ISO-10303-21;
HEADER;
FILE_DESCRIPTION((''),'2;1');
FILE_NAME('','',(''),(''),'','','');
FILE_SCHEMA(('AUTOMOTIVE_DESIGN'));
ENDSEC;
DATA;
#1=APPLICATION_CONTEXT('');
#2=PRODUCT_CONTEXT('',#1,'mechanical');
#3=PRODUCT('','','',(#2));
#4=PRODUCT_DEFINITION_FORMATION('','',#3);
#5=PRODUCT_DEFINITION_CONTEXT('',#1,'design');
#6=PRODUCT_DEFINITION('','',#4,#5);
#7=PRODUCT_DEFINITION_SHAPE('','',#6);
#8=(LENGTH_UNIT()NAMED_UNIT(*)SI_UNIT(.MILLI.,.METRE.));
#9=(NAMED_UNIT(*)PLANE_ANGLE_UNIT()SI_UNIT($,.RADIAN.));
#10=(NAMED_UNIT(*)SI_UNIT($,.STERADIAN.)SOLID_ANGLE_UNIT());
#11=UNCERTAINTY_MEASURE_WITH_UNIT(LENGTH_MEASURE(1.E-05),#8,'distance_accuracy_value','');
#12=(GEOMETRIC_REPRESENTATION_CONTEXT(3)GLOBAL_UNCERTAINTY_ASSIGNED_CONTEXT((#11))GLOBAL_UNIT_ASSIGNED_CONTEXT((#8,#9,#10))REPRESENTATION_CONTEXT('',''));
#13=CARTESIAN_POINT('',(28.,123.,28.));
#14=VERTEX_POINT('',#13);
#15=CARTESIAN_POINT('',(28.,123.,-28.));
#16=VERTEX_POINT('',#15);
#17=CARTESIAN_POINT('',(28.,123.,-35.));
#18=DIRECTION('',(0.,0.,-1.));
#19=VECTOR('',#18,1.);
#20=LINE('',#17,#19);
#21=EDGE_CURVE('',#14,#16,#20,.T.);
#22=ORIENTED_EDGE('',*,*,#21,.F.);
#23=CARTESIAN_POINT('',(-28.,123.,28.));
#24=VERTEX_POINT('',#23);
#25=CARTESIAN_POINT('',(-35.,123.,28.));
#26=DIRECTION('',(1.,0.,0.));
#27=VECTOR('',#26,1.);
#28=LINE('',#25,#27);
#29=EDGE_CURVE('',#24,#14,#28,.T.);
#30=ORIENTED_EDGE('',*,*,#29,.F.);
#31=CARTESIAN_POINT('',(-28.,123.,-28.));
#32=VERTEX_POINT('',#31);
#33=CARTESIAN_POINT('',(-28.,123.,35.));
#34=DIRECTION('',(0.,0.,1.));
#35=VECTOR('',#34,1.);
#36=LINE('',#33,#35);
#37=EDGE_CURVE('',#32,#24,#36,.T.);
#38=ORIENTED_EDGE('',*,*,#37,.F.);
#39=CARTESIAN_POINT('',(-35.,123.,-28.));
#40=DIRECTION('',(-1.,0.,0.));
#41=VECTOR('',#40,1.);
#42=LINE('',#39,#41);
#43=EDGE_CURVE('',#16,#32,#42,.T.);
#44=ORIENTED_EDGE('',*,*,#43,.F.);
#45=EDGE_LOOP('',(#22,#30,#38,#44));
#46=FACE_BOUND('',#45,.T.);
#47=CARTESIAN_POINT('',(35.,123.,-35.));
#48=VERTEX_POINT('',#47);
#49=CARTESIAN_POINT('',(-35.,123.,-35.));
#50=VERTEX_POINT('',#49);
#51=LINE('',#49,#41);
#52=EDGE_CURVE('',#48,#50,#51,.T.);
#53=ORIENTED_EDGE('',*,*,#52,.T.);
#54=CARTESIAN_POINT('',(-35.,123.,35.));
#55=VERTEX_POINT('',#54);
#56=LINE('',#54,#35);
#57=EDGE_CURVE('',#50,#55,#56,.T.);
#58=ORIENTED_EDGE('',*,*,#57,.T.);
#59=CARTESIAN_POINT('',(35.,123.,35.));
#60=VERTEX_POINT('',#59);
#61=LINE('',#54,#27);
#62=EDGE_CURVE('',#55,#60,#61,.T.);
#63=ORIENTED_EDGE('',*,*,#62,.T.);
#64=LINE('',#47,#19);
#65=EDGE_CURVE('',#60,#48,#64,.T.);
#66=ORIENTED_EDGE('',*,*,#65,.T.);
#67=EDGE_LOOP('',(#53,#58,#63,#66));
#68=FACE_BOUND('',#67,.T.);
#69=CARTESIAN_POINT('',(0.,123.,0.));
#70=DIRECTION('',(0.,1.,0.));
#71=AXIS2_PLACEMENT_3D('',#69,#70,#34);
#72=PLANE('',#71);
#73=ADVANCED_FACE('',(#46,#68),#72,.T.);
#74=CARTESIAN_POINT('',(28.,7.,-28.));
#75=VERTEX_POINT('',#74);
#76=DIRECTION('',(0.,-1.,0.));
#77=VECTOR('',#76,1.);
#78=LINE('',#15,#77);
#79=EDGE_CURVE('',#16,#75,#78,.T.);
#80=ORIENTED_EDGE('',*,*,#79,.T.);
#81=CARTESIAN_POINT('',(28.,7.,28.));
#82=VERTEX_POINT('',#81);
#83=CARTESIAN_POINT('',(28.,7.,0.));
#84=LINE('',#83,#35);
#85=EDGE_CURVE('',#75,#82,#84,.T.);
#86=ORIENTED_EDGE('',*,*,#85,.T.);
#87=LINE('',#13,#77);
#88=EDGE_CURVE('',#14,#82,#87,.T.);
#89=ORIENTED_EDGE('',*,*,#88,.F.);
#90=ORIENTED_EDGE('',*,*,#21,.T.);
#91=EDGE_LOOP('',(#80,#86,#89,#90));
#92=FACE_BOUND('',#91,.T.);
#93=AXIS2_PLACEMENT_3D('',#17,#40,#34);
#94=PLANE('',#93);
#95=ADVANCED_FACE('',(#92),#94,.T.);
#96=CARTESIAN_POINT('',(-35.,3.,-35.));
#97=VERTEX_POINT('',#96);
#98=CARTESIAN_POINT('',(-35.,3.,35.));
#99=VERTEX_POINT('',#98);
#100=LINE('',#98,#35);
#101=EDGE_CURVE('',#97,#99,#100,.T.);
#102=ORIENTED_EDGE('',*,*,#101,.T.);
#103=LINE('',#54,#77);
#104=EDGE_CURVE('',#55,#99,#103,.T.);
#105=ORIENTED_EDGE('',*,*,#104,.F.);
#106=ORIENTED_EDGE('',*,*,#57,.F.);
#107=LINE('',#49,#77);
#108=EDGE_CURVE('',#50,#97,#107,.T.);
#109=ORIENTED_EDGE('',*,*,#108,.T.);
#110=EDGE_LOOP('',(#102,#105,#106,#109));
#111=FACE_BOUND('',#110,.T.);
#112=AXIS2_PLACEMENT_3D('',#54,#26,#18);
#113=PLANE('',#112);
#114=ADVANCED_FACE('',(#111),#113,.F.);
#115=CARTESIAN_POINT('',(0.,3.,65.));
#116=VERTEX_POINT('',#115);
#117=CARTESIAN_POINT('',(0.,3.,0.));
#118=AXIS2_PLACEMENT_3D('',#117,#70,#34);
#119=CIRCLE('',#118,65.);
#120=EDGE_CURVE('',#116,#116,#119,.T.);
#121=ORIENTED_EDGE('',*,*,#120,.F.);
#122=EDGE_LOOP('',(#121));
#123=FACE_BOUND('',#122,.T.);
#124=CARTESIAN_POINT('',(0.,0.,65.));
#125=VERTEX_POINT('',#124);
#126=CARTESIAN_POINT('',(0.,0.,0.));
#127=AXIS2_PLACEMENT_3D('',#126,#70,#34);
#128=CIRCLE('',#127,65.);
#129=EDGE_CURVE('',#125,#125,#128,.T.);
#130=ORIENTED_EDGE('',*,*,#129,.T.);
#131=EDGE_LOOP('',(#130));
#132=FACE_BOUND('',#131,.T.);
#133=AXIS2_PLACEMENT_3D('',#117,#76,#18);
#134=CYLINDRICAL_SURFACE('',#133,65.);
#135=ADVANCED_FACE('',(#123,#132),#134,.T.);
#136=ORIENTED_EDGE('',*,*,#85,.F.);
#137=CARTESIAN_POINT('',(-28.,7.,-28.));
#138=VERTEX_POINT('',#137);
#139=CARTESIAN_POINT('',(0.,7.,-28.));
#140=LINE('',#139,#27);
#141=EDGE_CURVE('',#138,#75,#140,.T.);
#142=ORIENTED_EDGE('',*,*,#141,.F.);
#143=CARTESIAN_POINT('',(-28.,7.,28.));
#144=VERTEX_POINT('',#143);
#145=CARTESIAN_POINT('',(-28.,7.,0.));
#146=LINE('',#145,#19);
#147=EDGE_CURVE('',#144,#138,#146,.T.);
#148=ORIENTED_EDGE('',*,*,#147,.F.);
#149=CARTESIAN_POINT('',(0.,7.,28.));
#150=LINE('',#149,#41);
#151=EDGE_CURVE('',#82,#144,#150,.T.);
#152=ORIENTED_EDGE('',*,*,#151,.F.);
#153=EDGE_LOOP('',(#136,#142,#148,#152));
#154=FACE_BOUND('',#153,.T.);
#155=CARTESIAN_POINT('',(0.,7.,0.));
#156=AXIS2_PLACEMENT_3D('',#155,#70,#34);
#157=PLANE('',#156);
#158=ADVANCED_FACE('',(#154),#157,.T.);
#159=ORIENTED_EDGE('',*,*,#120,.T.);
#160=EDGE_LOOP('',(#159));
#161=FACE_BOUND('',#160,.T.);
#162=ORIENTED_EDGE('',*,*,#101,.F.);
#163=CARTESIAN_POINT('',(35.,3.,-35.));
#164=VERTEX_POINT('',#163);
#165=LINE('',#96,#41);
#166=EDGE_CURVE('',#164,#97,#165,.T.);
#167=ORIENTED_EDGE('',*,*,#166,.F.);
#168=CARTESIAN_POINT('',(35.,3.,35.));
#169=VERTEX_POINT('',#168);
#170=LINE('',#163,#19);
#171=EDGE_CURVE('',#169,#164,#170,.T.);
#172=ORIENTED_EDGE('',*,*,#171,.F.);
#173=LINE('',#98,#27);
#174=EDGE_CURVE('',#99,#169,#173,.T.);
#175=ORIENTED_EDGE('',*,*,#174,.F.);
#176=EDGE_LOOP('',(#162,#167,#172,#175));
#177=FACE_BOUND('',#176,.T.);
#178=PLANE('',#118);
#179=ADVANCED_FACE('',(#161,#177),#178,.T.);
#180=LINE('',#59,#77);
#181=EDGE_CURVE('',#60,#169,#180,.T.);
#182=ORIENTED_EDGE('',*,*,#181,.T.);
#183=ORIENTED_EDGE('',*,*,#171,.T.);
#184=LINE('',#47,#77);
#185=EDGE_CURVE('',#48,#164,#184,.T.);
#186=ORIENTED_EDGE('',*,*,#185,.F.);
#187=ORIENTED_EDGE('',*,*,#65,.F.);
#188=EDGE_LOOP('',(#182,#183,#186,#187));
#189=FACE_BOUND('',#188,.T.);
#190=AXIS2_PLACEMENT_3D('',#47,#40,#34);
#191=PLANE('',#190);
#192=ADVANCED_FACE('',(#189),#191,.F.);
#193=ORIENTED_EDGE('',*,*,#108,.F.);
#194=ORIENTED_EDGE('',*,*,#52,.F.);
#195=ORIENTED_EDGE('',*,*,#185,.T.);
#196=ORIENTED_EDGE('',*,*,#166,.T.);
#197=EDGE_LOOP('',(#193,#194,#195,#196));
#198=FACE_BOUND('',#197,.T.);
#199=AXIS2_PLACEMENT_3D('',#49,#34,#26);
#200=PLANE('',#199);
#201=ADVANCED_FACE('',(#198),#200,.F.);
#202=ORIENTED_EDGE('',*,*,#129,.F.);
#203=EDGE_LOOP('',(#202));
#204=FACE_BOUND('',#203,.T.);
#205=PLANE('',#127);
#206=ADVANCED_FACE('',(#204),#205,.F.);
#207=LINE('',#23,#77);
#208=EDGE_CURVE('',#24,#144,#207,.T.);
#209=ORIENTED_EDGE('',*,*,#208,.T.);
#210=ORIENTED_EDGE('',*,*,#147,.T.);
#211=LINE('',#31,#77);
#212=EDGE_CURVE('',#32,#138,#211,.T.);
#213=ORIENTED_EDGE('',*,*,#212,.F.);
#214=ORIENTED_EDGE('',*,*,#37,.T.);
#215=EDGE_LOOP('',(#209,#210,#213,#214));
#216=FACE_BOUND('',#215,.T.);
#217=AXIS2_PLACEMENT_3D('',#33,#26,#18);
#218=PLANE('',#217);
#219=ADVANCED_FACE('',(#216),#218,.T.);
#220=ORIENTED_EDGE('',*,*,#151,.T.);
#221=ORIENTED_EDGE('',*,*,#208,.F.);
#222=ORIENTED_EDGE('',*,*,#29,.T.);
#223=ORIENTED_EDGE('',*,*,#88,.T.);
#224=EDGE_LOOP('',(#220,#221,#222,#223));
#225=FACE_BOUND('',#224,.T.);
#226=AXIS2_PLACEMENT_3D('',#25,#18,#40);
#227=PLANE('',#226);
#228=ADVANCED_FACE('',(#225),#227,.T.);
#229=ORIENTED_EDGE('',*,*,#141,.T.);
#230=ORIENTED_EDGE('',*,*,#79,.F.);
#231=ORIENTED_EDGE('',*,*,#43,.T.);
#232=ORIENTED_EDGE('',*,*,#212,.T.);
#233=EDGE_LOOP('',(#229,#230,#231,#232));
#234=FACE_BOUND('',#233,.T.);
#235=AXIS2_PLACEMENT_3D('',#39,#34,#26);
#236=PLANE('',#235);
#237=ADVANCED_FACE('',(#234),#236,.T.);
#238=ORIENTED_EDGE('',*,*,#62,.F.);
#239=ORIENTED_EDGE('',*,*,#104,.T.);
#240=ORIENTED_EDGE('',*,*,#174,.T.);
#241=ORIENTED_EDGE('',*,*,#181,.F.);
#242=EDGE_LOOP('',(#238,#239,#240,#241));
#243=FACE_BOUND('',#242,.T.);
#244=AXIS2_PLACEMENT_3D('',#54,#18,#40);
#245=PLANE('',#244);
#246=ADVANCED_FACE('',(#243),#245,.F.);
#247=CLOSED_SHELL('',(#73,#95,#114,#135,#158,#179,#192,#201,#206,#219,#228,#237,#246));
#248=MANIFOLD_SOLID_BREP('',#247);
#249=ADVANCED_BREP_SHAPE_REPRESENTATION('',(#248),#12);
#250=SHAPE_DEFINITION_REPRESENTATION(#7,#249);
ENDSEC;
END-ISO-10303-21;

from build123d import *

# Parameters (mm, degrees)
SKETCH_1_R      = 65
EXTRUDE_1_DEPTH = 3
SKETCH_2_W      = 70
SKETCH_2_H      = 70
EXTRUDE_2_DEPTH = 120
SHELL_2_T       = -7


with BuildPart() as part:
    # 草图1 → 凸台-拉伸1 (new body)
    with BuildSketch(Plane(origin=(0, 0, 0), x_dir=(1, 0, 0), z_dir=(0, 1, 0))):
        with Locations(Location((0, 0, 0), (0, 0, 270))):
            Circle(SKETCH_1_R)
    extrude(amount=EXTRUDE_1_DEPTH)

    # 草图2 → 凸台-拉伸2 (add)
    with BuildSketch(Plane(origin=(0, 3, 0), x_dir=(1, 0, 0), z_dir=(0, 1, 0))):
        Rectangle(SKETCH_2_W, SKETCH_2_H)
    extrude(amount=EXTRUDE_2_DEPTH)

    # 抽壳2
    shell_2_openings = [part.faces().sort_by_distance(p)[0] for p in [
        (0, 123, 0),
    ]]
    offset(amount=SHELL_2_T, openings=shell_2_openings, kind=Kind.INTERSECTION)


solid = part.part
